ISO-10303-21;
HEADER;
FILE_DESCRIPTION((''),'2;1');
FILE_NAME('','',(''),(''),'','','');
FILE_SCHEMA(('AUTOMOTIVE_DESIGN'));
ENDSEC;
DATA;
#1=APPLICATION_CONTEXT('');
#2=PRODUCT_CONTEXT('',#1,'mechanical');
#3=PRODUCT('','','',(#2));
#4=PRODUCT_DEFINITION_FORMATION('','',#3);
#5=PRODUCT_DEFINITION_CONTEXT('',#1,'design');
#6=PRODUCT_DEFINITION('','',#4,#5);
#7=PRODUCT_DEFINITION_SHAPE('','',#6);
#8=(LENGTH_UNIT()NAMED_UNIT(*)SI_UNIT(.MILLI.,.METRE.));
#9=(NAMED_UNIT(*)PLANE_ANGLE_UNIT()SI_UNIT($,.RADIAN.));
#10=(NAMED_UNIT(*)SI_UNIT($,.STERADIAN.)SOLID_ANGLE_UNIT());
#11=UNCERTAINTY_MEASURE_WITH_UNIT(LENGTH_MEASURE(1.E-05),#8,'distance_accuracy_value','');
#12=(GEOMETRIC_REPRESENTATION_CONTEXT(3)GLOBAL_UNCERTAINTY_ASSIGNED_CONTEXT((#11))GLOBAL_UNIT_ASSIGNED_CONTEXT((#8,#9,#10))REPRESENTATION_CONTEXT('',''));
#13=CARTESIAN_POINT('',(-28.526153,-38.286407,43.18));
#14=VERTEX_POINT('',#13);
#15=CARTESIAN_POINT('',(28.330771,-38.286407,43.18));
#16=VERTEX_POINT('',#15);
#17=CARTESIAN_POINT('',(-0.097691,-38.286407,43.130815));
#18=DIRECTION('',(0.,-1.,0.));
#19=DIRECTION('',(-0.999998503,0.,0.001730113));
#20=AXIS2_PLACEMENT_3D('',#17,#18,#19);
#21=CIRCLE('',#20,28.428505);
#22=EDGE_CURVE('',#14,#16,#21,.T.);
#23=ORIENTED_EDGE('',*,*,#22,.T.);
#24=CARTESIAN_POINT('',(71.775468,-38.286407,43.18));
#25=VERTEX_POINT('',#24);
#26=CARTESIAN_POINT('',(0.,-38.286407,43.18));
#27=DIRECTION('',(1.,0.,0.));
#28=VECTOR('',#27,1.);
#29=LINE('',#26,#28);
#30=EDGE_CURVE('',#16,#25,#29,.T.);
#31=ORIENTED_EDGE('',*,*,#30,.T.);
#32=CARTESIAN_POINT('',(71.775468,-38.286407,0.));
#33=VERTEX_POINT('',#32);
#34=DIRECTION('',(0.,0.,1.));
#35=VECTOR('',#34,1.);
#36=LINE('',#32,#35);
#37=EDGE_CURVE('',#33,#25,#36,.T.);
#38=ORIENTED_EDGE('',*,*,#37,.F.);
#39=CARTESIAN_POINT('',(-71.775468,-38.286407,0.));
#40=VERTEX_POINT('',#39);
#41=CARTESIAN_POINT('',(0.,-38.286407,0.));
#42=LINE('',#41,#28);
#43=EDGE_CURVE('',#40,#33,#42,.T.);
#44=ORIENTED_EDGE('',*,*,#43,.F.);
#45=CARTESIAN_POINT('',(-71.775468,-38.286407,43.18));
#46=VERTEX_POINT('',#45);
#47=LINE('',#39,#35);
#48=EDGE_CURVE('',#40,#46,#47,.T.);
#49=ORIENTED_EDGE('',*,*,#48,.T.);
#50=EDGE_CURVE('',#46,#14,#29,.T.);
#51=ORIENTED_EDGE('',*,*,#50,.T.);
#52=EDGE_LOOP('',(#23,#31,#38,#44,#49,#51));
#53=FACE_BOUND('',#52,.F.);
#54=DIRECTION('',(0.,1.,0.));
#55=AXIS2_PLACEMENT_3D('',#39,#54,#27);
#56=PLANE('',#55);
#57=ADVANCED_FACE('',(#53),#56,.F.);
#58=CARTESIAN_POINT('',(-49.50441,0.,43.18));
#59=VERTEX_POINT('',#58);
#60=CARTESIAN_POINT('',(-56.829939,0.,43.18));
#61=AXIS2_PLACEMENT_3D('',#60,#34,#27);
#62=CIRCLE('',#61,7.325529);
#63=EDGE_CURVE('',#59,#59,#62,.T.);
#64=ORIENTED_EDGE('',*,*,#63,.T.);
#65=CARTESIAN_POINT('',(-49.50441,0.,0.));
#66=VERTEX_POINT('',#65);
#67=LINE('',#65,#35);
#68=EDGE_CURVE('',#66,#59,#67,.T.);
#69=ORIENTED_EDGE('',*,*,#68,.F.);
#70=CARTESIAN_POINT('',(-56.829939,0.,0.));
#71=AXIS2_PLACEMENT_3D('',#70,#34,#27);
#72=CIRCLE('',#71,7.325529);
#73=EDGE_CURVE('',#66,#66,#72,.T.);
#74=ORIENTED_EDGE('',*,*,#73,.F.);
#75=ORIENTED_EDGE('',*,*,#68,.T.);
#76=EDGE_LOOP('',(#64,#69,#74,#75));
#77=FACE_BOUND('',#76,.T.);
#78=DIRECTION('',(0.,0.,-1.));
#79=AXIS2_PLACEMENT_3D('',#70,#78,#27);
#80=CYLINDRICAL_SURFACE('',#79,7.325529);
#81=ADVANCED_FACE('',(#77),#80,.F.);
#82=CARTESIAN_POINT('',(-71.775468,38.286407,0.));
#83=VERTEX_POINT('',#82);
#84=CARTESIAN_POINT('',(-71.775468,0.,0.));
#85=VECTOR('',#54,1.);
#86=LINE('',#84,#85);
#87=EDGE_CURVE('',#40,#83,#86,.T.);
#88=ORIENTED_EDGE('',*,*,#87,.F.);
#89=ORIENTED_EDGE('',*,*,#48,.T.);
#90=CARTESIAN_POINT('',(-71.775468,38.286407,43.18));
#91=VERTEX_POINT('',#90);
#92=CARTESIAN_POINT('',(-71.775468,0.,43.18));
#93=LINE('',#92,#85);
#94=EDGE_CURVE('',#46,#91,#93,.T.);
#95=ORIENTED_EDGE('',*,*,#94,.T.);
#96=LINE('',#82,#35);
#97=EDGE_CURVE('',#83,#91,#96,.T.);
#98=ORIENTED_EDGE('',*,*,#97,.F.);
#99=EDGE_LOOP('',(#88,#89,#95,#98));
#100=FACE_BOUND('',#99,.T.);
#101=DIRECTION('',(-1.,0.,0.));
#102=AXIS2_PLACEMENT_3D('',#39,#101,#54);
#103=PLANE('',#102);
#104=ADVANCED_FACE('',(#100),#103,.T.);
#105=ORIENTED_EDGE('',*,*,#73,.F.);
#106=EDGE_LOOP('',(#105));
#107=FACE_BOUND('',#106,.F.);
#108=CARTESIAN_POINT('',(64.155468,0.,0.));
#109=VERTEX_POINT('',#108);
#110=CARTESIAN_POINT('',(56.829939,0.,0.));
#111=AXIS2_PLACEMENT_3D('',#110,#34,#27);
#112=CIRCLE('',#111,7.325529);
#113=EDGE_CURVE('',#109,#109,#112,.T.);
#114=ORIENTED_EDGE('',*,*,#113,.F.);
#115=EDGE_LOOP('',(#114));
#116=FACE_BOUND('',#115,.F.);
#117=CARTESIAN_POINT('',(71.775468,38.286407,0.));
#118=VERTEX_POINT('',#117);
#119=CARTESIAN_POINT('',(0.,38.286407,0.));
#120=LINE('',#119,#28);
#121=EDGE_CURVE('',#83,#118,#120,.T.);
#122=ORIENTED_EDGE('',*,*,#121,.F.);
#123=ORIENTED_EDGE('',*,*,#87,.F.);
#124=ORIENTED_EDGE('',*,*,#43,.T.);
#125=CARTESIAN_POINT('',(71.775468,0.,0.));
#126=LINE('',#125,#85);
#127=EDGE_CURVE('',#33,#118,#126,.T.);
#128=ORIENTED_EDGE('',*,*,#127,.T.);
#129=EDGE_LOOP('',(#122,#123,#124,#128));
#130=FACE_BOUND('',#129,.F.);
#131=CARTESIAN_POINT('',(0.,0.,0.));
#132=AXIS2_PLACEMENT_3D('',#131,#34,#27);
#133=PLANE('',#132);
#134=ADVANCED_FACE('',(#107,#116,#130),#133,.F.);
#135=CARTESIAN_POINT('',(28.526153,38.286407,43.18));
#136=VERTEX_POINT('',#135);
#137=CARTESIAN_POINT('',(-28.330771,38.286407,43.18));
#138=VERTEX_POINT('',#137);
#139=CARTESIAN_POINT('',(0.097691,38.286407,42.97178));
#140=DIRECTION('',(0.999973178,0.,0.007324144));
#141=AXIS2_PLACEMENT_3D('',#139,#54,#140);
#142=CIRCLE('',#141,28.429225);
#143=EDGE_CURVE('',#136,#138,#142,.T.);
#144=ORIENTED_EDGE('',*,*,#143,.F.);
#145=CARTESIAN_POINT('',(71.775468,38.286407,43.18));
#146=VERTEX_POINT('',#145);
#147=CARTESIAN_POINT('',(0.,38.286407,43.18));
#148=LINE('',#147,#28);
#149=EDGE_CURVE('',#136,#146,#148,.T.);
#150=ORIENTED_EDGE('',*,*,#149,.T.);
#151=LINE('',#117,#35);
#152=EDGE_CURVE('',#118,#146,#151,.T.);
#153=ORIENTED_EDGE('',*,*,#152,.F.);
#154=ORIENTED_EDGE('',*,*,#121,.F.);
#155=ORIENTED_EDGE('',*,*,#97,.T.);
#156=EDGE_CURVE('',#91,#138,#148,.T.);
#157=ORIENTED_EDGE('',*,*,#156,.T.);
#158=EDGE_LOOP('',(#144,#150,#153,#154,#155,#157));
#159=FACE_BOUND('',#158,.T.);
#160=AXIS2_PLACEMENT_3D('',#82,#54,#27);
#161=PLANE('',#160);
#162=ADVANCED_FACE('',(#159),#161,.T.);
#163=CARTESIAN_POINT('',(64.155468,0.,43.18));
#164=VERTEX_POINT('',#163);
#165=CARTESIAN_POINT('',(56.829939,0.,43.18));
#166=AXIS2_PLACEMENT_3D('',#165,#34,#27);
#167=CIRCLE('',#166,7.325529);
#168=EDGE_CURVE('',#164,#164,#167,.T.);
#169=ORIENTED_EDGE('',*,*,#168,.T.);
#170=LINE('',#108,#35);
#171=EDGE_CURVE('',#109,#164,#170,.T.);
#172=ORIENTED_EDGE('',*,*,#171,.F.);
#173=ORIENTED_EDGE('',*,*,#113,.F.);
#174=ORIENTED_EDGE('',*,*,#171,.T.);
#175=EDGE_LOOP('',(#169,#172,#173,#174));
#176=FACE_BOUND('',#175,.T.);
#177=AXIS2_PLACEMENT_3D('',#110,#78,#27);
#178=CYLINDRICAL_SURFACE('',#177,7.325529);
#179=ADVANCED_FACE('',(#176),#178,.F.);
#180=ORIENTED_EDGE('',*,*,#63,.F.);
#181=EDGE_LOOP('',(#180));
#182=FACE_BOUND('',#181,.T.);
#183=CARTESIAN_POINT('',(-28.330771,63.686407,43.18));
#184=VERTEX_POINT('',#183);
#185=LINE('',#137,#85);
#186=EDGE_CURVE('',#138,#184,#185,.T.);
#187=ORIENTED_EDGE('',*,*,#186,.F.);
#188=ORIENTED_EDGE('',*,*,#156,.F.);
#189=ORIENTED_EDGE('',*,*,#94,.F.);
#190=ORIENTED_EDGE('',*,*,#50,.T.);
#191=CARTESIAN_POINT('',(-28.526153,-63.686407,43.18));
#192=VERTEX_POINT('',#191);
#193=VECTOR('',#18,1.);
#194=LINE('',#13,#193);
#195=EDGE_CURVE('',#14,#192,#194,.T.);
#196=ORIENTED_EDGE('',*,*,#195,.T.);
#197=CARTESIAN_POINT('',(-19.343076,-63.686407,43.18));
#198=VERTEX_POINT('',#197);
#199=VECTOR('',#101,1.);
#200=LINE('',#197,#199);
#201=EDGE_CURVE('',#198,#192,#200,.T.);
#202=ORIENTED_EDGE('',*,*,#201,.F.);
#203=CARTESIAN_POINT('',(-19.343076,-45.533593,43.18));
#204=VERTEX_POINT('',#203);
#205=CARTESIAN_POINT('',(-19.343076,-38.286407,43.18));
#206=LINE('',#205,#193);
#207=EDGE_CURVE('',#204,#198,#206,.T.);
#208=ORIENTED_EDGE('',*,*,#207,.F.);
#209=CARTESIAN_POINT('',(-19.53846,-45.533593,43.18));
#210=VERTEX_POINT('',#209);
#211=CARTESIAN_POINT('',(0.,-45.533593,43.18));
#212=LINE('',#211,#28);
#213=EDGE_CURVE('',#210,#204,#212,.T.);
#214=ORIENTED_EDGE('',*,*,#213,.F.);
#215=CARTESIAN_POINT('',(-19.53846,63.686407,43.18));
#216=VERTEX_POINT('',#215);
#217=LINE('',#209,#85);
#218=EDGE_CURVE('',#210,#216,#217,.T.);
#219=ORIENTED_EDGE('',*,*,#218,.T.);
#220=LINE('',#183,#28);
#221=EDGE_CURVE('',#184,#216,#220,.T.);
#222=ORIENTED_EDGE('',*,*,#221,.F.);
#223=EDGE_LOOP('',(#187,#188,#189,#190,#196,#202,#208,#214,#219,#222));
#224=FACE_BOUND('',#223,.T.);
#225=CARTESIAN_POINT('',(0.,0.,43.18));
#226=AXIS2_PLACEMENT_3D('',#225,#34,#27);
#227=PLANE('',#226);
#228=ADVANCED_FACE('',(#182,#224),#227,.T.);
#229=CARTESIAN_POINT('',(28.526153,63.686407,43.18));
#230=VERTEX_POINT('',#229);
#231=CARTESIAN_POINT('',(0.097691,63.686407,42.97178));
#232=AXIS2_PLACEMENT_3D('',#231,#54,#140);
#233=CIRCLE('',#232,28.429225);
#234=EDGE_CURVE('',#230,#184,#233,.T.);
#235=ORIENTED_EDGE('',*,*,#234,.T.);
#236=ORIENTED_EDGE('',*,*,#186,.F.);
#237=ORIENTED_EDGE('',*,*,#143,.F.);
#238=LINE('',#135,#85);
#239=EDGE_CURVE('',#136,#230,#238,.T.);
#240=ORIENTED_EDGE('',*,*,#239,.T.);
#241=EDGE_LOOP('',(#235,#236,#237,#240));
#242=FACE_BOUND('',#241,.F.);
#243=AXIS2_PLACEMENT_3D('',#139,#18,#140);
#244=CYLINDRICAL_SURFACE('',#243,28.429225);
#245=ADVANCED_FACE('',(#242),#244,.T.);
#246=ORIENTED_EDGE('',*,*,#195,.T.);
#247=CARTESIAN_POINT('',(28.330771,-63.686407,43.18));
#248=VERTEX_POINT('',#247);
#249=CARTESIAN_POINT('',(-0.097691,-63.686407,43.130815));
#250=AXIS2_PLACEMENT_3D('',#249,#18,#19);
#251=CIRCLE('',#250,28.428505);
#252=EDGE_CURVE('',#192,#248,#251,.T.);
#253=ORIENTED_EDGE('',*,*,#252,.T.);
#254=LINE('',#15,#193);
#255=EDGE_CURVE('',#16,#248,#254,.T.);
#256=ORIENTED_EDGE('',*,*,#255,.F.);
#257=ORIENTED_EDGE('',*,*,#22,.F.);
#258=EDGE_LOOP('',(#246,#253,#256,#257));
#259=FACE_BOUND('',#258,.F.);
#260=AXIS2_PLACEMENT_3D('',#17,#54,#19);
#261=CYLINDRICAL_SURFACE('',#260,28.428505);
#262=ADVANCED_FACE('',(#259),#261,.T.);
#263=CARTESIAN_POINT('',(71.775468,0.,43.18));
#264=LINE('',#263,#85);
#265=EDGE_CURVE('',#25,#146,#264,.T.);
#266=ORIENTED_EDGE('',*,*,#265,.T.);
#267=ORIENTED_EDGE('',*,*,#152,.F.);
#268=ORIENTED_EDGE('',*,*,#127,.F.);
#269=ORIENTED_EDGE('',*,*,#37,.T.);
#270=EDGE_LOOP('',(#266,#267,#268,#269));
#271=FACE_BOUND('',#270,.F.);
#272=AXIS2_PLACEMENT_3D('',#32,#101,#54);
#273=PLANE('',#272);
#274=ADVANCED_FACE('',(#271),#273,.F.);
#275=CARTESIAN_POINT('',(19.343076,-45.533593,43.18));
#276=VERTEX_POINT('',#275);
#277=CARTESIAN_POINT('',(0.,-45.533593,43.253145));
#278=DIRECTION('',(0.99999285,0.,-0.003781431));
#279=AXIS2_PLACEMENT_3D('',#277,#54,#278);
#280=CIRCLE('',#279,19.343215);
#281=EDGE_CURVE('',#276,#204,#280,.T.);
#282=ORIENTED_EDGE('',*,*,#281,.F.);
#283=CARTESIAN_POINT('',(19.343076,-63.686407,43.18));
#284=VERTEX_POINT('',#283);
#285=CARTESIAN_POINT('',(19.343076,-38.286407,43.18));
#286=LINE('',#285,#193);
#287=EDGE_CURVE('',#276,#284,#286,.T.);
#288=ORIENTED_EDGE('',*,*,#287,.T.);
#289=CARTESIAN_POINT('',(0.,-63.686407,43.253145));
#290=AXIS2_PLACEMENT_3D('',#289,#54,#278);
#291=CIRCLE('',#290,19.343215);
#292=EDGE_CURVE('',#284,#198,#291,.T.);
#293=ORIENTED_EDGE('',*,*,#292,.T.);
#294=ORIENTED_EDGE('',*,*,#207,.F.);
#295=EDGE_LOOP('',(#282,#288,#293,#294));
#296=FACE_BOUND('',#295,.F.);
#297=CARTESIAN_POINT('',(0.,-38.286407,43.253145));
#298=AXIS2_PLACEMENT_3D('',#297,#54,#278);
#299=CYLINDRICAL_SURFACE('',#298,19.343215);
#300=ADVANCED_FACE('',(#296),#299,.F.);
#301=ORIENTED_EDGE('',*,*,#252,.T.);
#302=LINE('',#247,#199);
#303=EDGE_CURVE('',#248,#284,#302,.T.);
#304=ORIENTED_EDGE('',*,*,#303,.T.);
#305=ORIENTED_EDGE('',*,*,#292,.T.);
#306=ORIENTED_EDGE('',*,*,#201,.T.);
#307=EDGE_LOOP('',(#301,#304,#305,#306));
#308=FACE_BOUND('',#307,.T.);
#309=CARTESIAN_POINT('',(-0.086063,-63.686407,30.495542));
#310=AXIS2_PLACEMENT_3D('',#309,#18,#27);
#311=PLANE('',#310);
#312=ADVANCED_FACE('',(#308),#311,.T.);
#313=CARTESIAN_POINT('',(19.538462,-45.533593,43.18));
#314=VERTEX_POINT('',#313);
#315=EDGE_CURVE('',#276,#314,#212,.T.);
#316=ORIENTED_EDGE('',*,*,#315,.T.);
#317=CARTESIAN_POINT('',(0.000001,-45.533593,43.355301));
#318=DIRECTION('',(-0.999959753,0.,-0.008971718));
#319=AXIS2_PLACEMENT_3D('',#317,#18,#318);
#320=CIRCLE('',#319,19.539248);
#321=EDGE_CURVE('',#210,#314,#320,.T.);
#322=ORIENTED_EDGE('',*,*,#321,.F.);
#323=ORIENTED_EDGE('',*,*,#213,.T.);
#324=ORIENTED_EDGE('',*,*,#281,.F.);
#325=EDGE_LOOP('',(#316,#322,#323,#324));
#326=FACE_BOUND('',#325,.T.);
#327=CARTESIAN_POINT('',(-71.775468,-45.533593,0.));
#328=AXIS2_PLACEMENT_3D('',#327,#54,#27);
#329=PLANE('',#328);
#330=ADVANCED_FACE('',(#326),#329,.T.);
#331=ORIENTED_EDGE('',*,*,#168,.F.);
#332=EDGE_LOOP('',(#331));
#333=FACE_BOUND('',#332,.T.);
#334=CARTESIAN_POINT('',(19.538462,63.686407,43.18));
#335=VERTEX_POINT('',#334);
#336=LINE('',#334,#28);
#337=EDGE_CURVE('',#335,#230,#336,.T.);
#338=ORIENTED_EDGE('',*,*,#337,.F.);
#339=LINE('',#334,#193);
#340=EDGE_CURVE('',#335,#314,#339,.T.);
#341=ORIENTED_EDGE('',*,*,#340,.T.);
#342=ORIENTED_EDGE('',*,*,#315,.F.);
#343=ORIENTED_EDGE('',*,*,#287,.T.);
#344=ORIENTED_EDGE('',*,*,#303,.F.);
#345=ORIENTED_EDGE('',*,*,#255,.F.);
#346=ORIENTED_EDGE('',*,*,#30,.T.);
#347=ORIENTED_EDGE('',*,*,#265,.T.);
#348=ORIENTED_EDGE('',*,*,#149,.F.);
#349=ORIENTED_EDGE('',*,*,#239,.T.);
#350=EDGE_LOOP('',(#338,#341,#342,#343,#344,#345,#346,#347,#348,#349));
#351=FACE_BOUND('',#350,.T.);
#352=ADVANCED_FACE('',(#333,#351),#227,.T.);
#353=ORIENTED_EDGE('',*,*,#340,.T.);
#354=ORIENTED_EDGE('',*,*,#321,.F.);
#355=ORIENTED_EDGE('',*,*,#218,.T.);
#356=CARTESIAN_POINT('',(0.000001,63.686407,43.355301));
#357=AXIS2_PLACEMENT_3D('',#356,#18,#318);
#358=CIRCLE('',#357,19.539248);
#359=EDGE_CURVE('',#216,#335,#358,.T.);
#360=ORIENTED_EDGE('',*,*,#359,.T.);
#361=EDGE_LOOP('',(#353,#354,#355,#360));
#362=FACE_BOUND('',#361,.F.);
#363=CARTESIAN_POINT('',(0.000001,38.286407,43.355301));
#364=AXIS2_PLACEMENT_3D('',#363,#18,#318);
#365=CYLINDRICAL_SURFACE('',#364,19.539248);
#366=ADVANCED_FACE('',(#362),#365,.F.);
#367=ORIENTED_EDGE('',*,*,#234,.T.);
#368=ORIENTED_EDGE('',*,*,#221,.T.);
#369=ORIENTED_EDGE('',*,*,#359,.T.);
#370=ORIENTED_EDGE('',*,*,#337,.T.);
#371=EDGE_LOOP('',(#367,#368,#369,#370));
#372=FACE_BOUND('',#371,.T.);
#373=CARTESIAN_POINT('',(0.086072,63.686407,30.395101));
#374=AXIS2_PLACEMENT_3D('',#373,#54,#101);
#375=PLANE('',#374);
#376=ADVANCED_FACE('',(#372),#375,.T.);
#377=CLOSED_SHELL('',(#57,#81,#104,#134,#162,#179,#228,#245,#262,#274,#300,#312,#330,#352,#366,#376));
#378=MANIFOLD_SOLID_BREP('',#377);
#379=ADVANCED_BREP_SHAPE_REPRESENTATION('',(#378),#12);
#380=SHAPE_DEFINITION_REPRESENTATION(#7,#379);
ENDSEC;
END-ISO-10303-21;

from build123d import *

# Parameters (mm, degrees)
F0_W     = 143.5509369683
F0_H     = 76.5728146038
F0_R     = 7.3255293143
F1_DEPTH = 43.18
F3_DEPTH = 25.4
F5_DEPTH = 25.4
F6_DEPTH = 83.82


with BuildPart() as f1:
    # F0 (on Top) → F1 (new body)
    with BuildSketch(Plane.XY):
        Rectangle(F0_W, F0_H)
        with Locations((-56.8299391699, 0)):
            Circle(F0_R, mode=Mode.SUBTRACT)
        with Locations((56.8299391699, 0)):
            Circle(F0_R, mode=Mode.SUBTRACT)
    extrude(amount=F1_DEPTH)

    # F2 (on face) → F3 (join)
    with BuildSketch(Plane.XZ.offset(38.2864073019)):
        with BuildLine():
            Line((-19.3430762738, 43.18), (-28.5261534154, 43.18))
            ThreePointArc((-28.5261534154, 43.18), (-0.0976910815, 14.70231059), (28.3307712525, 43.18))
            Line((28.3307712525, 43.18), (19.3430762738, 43.18))
            ThreePointArc((19.3430762738, 43.18), (0, 23.9099304509), (-19.3430762738, 43.18))
        make_face()
    extrude(amount=F3_DEPTH)

    # F4 (on face) → F5 (join)
    with BuildSketch(Plane(origin=(0, 38.2864073019, 0), x_dir=(-1, 0, 0), z_dir=(0, 1, 0))):
        with BuildLine():
            Line((-19.538462162, 43.18), (-28.5261534154, 43.18))
            ThreePointArc((-28.5261534154, 43.18), (-0.0976910815, 14.5425554008), (28.3307712525, 43.18))
            Line((28.3307712525, 43.18), (19.5384602994, 43.18))
            ThreePointArc((19.5384602994, 43.18), (-9.313e-07, 23.8160529924), (-19.538462162, 43.18))
        make_face()
    extrude(amount=F5_DEPTH)

    # F6 (cut): a face of the model
    f6_faces = [f1.faces().sort_by_distance(p)[0] for p in [
        (9.313e-07, 38.2864073019, 34.9677769674),
    ]]
    extrude(f6_faces, amount=-F6_DEPTH, mode=Mode.SUBTRACT)


solid = f1.part
